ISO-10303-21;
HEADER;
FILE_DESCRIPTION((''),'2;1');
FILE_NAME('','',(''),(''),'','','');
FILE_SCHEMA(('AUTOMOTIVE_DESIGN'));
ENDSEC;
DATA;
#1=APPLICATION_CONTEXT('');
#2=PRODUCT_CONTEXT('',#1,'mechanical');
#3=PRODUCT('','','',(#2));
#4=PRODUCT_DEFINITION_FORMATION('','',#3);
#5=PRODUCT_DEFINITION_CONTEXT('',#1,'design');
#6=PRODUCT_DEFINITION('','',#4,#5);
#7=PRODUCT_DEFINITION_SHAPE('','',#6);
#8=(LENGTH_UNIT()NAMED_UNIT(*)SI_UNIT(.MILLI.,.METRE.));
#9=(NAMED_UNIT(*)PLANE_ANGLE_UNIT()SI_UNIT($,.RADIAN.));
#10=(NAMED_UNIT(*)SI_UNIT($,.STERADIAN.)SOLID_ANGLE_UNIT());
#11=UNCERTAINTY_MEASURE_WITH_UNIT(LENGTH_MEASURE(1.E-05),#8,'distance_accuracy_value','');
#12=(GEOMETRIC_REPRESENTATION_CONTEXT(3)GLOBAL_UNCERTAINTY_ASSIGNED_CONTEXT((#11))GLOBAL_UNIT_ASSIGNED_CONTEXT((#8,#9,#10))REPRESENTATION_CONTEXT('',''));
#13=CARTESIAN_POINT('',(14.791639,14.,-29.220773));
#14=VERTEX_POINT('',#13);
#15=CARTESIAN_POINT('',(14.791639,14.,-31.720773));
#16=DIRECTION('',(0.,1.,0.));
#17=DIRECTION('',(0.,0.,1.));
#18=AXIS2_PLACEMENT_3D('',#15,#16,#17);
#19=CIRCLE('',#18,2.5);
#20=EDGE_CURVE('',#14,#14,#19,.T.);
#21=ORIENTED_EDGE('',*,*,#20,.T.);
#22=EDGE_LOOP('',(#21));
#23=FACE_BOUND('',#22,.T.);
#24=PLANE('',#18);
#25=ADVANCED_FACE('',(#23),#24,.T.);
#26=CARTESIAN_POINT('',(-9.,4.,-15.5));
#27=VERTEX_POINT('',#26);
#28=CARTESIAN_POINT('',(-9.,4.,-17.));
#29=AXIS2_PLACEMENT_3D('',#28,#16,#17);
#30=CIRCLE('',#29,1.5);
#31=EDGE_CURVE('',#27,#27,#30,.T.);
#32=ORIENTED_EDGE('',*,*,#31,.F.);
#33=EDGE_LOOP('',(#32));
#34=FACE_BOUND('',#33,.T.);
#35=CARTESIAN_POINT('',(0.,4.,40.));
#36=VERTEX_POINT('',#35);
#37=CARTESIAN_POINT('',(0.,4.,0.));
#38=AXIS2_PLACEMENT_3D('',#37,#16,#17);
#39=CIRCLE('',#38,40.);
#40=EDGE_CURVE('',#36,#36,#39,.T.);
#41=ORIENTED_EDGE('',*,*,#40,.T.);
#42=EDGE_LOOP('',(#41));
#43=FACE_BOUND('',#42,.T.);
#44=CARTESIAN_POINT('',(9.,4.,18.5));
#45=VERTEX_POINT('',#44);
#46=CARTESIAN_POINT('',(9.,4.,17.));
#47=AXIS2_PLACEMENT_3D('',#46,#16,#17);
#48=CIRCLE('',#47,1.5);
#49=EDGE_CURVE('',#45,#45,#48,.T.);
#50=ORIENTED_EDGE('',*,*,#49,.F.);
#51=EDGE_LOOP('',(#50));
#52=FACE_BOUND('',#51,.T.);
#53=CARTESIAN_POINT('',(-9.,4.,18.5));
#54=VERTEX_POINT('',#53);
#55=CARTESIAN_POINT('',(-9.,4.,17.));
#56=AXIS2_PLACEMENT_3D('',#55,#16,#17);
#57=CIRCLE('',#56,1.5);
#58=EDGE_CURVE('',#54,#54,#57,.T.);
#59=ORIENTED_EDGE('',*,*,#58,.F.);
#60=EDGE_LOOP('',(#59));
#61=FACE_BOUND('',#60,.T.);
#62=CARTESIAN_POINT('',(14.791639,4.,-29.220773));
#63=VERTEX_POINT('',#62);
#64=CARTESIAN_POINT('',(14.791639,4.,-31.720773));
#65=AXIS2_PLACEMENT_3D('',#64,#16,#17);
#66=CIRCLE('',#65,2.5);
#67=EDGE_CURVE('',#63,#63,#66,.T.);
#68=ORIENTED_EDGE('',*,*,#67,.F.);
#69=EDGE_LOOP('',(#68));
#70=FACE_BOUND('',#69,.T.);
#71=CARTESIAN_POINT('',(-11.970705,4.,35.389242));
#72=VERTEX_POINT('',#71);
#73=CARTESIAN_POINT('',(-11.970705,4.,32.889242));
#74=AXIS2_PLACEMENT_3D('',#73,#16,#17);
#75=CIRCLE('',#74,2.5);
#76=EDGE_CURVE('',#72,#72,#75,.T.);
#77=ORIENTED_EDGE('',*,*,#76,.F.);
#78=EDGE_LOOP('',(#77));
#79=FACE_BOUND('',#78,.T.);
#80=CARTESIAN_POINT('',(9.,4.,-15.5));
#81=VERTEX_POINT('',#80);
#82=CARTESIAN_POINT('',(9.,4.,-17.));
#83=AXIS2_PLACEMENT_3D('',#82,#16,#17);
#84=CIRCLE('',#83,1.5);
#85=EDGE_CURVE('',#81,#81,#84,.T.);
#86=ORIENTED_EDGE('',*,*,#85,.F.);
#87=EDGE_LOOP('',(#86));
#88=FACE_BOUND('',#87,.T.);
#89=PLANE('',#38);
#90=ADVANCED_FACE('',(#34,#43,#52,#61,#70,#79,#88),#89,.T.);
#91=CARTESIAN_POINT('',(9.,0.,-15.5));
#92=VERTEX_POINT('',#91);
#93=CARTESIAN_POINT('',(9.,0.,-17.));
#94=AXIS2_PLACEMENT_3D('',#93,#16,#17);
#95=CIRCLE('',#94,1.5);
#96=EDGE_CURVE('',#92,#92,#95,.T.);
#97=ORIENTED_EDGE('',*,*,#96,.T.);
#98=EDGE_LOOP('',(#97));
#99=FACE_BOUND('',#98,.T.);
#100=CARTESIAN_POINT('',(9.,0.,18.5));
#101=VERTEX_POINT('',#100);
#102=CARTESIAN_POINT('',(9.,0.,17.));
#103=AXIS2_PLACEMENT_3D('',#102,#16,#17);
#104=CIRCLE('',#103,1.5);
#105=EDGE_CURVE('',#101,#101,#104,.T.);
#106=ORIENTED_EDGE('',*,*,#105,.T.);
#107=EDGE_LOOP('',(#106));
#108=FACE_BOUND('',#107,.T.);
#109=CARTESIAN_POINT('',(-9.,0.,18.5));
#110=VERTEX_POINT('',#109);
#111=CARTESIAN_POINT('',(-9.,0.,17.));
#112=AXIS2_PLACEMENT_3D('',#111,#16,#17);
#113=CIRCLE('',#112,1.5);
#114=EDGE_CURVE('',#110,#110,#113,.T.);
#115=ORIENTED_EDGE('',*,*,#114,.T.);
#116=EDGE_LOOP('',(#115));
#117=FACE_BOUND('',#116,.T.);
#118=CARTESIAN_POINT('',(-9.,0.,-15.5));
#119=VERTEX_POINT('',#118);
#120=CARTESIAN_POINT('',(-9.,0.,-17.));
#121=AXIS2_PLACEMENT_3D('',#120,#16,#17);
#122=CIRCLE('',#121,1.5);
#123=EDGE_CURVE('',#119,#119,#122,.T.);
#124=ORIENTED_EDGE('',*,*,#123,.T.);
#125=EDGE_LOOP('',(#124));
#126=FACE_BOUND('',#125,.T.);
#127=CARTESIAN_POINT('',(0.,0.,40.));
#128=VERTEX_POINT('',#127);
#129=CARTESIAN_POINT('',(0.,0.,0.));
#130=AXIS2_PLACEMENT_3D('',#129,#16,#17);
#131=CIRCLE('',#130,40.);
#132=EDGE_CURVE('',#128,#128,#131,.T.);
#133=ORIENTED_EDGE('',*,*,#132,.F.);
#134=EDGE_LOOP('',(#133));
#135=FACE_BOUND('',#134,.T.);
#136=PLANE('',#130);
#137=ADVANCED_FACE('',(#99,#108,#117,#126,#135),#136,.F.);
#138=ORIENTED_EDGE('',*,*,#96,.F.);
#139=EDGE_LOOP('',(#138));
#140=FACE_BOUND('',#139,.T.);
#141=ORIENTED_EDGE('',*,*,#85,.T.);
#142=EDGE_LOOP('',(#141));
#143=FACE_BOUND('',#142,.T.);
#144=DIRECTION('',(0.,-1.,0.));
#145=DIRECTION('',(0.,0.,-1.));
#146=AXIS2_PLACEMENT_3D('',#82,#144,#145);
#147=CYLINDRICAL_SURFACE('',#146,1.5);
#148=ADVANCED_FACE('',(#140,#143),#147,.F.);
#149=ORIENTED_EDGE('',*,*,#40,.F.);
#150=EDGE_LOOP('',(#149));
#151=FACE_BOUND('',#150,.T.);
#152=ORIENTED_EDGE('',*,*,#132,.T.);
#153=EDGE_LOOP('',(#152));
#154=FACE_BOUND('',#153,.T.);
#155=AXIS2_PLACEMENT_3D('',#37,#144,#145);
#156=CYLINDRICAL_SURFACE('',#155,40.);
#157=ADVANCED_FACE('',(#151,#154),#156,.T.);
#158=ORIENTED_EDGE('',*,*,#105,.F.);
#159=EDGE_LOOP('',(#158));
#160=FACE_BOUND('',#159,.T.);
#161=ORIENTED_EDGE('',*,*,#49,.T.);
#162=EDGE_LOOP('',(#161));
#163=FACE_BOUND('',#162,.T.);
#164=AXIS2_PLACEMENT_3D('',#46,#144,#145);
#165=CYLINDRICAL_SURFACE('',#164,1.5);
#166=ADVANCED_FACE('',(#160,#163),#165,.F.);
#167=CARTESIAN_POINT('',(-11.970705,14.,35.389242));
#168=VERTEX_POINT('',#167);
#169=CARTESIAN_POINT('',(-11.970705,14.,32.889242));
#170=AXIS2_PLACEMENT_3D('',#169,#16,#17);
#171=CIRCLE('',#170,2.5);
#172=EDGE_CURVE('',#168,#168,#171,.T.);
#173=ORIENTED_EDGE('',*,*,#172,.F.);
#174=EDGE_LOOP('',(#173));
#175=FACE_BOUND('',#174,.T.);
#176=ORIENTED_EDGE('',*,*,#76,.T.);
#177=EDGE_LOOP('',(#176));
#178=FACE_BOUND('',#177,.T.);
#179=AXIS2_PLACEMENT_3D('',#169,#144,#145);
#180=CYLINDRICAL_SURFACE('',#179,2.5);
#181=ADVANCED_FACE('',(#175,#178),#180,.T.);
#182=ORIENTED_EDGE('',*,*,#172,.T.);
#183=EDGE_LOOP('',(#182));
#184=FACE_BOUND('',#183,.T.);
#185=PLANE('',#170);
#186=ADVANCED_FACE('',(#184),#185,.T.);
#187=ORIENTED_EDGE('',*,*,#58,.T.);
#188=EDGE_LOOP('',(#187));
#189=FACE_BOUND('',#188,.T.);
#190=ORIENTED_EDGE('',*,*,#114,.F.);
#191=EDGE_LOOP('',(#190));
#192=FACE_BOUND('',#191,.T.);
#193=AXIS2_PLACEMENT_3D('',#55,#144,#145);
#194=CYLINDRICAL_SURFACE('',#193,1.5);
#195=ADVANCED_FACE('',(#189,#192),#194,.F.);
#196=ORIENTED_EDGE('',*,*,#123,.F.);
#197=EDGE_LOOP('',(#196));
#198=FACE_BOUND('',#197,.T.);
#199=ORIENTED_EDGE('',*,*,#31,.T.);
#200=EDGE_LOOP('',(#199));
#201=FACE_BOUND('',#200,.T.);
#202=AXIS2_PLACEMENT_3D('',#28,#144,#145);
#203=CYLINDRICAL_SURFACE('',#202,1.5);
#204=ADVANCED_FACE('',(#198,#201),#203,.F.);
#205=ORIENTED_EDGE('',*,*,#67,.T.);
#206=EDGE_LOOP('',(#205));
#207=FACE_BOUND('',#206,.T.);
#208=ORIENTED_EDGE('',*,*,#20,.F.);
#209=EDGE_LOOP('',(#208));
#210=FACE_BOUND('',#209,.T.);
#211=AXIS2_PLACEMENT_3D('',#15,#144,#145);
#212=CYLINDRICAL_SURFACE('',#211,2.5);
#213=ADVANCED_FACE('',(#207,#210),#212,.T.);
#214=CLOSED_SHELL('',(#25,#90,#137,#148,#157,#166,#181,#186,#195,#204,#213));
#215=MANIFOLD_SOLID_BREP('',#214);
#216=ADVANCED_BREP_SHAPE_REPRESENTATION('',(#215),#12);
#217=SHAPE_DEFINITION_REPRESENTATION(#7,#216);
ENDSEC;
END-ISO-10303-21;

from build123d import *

# Parameters (mm, degrees)
SKETCH1_R           = 40
SKETCH1_R_2         = 1.5
BOSS_EXTRUDE1_DEPTH = 4
SKETCH2_R           = 2.5
BOSS_EXTRUDE2_DEPTH = 10


with BuildPart() as part:
    # Sketch1 → Boss-Extrude1 (new body)
    with BuildSketch(Plane(origin=(0, 0, 0), x_dir=(1, 0, 0), z_dir=(0, 1, 0))):
        with Locations(Location((0, 0, 0), (0, 0, 270))):
            Circle(SKETCH1_R)
        with Locations(Location((9, 17, 0), (0, 0, 270))):
            Circle(SKETCH1_R_2, mode=Mode.SUBTRACT)
        with Locations(Location((-9, 17, 0), (0, 0, 270))):
            Circle(SKETCH1_R_2, mode=Mode.SUBTRACT)
        with Locations(Location((-9, -17, 0), (0, 0, 270))):
            Circle(SKETCH1_R_2, mode=Mode.SUBTRACT)
        with Locations(Location((9, -17, 0), (0, 0, 270))):
            Circle(SKETCH1_R_2, mode=Mode.SUBTRACT)
    extrude(amount=BOSS_EXTRUDE1_DEPTH)

    # Sketch2 → Boss-Extrude2 (add)
    with BuildSketch(Plane(origin=(0, 4, 0), x_dir=(1, 0, 0), z_dir=(0, 1, 0))):
        with Locations(Location((14.791639161, 31.720772546, 0), (0, 0, 270))):
            Circle(SKETCH2_R)
        with Locations(Location((-11.970705016, -32.889241728, 0), (0, 0, 270))):
            Circle(SKETCH2_R)
    extrude(amount=BOSS_EXTRUDE2_DEPTH)


solid = part.part
